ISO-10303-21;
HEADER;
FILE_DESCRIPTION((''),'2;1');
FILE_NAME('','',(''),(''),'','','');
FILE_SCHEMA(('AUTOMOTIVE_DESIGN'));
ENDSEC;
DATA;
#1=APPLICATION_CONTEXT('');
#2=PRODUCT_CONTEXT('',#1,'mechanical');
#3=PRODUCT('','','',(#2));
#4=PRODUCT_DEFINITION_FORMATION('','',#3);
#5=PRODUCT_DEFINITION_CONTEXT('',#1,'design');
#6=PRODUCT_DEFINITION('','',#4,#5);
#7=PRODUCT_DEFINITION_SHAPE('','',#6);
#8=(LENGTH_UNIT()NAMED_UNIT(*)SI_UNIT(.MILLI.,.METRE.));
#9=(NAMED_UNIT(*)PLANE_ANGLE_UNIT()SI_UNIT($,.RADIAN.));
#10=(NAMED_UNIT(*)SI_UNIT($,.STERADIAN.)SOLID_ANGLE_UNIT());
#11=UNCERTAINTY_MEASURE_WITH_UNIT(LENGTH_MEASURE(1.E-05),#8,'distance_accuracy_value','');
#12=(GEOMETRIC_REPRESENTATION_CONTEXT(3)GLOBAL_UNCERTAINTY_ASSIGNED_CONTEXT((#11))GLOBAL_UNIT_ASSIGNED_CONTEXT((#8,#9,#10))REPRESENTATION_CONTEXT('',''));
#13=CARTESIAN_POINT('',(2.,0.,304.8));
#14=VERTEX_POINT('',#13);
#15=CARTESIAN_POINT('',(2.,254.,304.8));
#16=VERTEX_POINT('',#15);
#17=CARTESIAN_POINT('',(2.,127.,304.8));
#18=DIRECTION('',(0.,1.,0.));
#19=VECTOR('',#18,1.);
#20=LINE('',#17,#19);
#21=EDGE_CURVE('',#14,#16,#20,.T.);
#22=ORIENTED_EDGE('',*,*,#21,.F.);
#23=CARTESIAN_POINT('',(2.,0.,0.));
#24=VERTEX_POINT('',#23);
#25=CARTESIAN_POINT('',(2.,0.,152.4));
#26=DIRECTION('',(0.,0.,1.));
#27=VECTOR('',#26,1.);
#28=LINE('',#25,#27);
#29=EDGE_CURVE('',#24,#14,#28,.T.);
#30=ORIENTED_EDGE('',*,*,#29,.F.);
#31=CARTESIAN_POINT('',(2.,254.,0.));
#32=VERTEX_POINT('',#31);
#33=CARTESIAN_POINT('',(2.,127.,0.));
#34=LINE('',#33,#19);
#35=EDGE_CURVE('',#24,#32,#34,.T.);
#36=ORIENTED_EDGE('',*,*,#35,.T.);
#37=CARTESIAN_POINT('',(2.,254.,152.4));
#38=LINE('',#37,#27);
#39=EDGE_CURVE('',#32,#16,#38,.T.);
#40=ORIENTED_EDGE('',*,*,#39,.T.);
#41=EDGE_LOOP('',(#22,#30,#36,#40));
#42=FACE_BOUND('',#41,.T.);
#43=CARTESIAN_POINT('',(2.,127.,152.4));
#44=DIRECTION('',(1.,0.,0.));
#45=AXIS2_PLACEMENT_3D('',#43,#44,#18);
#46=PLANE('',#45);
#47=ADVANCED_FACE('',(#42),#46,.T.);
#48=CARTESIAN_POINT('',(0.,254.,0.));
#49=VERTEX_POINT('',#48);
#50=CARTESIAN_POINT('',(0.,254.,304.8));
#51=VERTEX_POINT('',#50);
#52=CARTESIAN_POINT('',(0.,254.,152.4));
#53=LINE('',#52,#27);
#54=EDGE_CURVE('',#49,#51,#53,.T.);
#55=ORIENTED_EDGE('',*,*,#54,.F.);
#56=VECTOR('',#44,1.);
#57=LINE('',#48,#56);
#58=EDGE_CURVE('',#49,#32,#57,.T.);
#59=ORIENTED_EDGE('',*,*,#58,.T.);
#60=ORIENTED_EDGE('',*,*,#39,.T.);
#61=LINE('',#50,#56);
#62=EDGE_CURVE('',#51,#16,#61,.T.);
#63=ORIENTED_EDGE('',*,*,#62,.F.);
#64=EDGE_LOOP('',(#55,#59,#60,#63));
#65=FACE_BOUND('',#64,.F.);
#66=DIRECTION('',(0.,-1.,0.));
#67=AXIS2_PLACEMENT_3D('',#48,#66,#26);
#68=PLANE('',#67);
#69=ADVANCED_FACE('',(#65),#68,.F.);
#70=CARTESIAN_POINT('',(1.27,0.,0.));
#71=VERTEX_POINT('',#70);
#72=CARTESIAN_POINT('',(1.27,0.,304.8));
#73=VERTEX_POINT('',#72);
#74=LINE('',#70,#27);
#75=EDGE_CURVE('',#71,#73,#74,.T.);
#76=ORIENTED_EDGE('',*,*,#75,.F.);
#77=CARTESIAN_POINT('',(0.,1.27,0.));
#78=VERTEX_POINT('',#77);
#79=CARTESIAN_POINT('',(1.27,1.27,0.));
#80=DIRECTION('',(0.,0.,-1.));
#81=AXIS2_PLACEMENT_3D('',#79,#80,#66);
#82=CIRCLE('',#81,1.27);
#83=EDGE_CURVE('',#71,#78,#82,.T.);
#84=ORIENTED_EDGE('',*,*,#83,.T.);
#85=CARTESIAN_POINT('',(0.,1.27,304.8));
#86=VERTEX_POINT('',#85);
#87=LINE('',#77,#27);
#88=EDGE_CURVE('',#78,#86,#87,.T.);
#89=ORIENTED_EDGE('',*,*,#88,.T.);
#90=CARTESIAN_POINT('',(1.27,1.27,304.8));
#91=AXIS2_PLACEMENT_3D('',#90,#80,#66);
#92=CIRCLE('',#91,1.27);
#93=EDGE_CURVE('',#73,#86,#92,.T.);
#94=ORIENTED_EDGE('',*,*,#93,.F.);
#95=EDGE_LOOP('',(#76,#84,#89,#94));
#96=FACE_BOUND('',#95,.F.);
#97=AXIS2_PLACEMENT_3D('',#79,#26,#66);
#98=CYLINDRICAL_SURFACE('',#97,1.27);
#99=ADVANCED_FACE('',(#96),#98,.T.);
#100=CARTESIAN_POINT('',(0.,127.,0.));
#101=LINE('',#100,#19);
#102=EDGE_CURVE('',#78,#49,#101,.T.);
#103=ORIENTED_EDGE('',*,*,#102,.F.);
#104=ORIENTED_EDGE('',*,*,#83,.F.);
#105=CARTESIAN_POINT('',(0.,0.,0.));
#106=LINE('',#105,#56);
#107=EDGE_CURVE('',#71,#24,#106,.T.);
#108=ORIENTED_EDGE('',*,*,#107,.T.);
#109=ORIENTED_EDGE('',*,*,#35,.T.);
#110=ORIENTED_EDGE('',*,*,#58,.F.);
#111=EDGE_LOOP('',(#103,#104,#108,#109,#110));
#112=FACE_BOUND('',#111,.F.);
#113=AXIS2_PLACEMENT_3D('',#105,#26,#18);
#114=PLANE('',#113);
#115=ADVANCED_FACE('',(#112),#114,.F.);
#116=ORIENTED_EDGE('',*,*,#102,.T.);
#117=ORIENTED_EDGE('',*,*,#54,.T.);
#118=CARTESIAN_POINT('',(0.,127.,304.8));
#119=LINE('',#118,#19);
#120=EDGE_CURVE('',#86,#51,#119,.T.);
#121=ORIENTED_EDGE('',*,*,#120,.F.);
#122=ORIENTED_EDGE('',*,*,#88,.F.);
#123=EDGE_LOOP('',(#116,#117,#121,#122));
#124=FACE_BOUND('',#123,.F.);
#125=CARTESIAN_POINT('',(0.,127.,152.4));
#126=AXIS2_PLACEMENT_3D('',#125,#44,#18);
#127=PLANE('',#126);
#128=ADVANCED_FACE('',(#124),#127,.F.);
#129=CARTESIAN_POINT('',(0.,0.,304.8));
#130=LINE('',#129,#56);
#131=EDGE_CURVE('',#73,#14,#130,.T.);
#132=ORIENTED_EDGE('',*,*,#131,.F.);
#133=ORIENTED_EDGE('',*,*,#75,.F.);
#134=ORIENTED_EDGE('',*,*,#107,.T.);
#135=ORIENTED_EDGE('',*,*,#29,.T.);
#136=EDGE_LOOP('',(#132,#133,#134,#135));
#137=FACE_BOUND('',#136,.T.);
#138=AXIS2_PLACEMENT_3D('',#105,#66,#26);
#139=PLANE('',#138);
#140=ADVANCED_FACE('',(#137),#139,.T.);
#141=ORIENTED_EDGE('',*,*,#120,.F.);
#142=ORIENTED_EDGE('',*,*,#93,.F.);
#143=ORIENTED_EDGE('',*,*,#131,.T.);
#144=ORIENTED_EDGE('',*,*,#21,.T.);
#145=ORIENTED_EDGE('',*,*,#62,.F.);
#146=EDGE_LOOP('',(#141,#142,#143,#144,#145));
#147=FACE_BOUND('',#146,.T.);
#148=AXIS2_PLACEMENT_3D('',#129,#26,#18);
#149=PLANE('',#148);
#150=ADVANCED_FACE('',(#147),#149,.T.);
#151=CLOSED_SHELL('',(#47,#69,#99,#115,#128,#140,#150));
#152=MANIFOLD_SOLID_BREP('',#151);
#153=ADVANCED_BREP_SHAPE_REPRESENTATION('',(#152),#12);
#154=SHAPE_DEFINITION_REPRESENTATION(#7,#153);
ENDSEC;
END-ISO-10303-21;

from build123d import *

# Parameters (mm, degrees)
F0_W     = 254
F0_H     = 304.8
F1_DEPTH = 2
F2_R     = 1.27


with BuildPart() as f1:
    # F0 (on Right) → F1 (new body)
    with BuildSketch(Plane.YZ):
        with Locations((127, 152.4)):
            Rectangle(F0_W, F0_H)
    extrude(amount=F1_DEPTH)

    # F2
    f2_edges = [f1.edges().sort_by_distance(p)[0] for p in [
        (0, 0, 152.4),
    ]]
    fillet(f2_edges, radius=F2_R)


solid = f1.part
